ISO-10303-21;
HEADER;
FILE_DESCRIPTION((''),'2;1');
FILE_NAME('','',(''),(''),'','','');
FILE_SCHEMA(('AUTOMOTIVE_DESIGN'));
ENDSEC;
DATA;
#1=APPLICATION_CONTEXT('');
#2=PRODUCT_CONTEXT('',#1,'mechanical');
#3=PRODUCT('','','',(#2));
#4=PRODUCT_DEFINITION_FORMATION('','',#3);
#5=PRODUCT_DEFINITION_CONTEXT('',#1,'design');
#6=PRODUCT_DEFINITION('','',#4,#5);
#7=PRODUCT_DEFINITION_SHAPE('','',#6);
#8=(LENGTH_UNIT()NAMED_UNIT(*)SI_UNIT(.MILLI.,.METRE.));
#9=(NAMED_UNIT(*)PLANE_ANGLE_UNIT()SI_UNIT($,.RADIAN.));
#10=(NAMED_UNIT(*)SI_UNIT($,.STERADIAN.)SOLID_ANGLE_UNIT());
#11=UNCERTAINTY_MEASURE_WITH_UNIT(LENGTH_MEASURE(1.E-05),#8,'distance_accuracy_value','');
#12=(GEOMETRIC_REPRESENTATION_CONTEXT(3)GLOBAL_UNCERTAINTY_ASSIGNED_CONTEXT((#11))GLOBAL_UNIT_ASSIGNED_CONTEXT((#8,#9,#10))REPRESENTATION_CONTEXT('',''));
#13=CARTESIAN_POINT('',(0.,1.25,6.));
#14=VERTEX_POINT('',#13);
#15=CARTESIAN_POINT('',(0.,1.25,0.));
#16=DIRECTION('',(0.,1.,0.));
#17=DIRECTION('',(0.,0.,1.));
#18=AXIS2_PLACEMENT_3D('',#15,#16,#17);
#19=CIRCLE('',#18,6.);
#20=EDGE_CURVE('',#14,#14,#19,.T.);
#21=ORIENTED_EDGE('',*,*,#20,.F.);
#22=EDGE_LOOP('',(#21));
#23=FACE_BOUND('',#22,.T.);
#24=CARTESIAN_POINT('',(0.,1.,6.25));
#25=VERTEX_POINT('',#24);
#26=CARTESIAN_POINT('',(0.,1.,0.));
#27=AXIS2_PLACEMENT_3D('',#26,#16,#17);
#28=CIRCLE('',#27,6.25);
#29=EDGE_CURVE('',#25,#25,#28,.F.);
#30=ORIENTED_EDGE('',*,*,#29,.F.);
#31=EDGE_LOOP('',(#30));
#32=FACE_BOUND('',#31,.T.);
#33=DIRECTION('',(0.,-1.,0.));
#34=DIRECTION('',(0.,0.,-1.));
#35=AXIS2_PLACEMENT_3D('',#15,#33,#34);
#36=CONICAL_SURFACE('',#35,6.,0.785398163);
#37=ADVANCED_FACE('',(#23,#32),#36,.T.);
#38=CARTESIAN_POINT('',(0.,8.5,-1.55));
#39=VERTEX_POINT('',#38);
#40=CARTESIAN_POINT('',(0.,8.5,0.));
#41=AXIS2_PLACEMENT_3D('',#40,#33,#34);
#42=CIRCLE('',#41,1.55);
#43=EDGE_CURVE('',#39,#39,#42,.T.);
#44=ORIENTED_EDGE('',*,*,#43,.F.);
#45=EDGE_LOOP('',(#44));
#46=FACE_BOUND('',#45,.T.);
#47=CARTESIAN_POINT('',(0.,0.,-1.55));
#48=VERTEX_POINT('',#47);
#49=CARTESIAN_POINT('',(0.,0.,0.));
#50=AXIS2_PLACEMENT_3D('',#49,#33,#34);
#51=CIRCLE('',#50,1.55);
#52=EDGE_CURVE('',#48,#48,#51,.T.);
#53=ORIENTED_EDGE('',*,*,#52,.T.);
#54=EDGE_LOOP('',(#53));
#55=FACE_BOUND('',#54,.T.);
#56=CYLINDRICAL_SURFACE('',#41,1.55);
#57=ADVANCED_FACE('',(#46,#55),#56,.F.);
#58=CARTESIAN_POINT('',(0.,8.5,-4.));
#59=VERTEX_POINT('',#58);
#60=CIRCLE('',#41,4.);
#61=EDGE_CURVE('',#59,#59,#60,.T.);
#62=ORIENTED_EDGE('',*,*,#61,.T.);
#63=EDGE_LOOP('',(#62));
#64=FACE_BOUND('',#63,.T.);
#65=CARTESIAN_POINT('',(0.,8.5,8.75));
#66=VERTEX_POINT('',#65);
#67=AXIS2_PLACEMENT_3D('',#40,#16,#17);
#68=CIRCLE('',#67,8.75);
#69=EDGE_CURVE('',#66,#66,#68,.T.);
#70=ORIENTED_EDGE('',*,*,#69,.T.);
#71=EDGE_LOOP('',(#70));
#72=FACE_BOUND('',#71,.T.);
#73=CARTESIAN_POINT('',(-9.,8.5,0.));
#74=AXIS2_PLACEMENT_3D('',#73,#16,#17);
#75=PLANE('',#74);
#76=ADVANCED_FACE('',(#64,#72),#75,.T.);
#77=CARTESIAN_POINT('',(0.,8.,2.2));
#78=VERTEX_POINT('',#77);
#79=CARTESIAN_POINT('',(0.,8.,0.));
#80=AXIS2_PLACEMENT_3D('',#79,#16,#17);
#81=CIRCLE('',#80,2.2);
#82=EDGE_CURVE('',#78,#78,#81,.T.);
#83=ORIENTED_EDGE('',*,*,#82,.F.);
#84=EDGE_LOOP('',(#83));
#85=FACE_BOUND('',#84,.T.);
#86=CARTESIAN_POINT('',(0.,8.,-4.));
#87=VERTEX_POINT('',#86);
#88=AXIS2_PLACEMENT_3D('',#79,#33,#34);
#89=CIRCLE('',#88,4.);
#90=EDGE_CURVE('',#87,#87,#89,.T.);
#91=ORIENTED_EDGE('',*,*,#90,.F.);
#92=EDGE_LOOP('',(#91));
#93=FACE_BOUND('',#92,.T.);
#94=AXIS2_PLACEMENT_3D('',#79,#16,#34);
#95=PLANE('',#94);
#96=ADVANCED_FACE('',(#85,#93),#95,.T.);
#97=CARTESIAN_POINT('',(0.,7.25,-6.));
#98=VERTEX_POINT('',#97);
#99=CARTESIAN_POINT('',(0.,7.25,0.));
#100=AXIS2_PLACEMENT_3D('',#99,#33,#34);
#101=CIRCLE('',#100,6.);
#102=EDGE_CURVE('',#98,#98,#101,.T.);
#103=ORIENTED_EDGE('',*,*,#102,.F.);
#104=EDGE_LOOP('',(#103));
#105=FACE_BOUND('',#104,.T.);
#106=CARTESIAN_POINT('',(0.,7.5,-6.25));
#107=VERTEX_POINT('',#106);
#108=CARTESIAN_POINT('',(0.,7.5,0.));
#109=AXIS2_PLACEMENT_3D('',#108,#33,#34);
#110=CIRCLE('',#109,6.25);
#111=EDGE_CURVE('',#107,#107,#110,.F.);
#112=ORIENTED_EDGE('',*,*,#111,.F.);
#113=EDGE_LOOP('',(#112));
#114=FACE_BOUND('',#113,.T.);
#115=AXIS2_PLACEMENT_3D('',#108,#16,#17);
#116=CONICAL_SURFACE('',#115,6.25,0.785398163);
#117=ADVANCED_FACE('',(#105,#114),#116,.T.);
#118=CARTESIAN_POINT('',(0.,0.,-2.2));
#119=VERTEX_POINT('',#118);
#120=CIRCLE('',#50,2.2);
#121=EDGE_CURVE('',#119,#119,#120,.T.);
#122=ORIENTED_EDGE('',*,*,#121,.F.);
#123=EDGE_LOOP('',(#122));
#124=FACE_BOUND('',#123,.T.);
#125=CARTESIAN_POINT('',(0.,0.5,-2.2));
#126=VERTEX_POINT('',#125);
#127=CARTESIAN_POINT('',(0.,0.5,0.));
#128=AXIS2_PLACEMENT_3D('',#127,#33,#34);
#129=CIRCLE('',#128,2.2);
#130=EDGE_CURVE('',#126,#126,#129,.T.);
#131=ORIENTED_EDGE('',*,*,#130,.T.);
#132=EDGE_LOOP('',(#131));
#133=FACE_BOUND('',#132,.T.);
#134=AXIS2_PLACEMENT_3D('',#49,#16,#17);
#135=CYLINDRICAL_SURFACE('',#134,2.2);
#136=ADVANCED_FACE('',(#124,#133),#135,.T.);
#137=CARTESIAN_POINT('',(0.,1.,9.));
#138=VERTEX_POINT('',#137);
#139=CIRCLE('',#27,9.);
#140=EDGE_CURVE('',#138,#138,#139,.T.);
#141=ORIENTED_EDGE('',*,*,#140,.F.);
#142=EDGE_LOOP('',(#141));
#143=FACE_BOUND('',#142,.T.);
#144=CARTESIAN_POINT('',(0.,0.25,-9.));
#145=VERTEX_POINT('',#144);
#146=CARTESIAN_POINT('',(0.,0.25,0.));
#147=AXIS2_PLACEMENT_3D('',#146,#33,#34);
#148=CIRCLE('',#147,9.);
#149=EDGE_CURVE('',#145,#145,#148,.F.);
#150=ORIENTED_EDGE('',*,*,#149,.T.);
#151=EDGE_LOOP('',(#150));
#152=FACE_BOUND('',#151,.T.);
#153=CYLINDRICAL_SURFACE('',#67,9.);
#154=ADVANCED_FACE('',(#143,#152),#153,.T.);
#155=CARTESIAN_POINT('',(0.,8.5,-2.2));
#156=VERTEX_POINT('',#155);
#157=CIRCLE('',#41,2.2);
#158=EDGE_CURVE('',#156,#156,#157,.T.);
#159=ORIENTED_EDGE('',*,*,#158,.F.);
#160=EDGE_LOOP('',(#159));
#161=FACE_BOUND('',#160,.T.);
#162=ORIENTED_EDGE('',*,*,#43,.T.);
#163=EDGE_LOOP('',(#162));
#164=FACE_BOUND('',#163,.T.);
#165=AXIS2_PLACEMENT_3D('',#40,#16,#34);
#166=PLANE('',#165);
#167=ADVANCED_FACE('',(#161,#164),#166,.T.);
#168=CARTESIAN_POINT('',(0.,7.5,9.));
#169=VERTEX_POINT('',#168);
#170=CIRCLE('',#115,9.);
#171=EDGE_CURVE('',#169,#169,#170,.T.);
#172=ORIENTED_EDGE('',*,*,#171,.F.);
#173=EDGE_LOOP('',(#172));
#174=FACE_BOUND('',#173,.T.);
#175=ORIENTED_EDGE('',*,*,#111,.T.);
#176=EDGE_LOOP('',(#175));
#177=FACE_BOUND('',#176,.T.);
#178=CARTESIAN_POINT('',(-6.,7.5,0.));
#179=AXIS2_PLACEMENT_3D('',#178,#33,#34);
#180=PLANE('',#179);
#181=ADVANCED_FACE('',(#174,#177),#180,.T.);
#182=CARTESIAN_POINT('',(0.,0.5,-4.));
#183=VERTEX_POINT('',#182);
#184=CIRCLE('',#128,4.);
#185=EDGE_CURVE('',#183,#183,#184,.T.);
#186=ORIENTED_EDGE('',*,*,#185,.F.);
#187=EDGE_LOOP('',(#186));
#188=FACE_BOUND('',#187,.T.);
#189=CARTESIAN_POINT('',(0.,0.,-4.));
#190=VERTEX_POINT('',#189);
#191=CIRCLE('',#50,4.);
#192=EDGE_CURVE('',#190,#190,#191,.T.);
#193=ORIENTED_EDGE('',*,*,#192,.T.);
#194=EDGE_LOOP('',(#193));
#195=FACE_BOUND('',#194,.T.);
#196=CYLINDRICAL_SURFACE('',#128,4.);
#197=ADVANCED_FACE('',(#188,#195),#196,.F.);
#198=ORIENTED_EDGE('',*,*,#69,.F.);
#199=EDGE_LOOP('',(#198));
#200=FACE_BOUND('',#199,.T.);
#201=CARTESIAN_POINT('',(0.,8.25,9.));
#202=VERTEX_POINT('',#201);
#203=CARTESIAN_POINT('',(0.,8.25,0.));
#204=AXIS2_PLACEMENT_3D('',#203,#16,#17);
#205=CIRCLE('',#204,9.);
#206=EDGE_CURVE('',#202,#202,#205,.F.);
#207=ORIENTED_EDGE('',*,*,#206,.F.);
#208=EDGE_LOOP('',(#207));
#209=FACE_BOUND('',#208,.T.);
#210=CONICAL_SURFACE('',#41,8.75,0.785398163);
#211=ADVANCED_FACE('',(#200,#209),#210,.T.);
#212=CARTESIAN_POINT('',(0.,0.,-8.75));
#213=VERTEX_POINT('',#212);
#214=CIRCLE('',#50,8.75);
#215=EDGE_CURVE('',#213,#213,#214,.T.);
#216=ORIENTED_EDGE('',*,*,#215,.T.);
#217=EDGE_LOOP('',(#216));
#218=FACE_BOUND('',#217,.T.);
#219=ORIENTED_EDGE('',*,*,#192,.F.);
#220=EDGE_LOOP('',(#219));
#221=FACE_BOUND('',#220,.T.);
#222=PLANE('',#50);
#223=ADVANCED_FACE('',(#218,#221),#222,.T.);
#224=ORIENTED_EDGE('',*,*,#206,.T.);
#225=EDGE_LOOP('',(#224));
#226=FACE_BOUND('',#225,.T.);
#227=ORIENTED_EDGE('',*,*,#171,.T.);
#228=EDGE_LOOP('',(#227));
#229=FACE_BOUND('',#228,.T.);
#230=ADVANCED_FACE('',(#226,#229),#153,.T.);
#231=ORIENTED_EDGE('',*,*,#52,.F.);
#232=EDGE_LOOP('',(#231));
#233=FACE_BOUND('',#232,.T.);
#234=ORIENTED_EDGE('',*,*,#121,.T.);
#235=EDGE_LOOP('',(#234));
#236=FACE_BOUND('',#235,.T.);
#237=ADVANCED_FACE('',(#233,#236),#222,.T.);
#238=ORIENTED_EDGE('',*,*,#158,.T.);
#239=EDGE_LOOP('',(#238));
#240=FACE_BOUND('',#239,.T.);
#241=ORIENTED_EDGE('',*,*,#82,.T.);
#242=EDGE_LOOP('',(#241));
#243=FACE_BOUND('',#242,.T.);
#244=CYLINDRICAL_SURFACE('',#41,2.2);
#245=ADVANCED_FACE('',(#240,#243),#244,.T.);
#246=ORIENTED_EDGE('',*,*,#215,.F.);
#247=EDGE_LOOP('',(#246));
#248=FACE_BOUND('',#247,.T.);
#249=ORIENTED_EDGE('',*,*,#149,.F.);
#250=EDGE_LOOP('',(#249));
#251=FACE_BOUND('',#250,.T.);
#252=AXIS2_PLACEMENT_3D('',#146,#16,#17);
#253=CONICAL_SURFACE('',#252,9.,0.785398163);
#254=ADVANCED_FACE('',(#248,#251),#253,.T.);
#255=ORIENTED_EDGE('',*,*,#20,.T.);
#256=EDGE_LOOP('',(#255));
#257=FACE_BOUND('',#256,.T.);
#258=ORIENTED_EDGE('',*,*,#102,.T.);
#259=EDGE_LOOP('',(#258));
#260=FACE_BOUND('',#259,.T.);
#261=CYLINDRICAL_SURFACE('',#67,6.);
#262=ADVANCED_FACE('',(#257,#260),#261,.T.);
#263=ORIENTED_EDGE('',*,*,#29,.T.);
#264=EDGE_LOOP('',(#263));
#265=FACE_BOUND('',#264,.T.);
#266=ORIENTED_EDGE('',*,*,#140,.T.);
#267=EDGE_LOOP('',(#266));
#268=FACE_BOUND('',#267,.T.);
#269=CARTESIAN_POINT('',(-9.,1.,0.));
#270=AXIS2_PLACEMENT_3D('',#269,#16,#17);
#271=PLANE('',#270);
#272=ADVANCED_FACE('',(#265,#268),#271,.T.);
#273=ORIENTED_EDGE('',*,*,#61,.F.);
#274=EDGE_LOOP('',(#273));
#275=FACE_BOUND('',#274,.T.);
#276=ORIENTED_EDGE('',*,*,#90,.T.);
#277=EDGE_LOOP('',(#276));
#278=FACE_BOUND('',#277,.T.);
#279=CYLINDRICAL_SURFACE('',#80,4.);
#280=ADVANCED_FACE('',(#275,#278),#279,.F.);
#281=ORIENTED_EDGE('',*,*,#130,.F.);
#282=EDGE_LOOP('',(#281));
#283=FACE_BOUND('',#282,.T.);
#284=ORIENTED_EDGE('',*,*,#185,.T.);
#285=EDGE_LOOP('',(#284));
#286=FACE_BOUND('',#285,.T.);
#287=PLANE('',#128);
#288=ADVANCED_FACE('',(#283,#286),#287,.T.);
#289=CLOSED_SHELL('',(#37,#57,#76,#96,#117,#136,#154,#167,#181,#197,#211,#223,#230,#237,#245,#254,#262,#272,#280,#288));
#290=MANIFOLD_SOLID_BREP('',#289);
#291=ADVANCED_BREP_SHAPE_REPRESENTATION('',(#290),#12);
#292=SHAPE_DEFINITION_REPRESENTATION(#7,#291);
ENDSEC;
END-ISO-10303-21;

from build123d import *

# Parameters (mm, degrees)
SKETCH2_R           = 4
CUT_EXTRUDE1_DEPTH  = 0.5
SKETCH3_R           = 2.2
BOSS_EXTRUDE1_DEPTH = 0.5
SKETCH4_R           = 1.55
CUT_EXTRUDE2_DEPTH  = 16.305227865
CHAMFER1_SIZE       = 0.25


with BuildPart() as part:
    # Sketch1 → Revolve1 (revolve)
    with BuildSketch(Plane.XY, mode=Mode.PRIVATE) as revolve1_sk:
        Polygon((0, 0), (-9, 0), (-9, 1), (-6, 1), (-6, 7.5), (-9, 7.5), (-9, 8.5), (0, 8.5), align=None)
    revolve(revolve1_sk.sketch.rotate(Axis((0, 8.5, 0), (0, -1, 0)), 270), axis=Axis((0, 8.5, 0), (0, -1, 0)))

    # Sketch2 → Cut-Extrude1 (cut)
    with BuildSketch(Plane.XZ):
        with Locations(Location((0, 0, 0), (0, 0, 270))):
            Circle(SKETCH2_R)
    cut_extrude1 = extrude(amount=-CUT_EXTRUDE1_DEPTH, mode=Mode.SUBTRACT)

    # Sketch3 → Boss-Extrude1 (add)
    with BuildSketch(Plane.XZ.offset(-0.5)):
        with Locations(Location((0, 0, 0), (0, 0, 270))):
            Circle(SKETCH3_R)
    boss_extrude1 = extrude(amount=BOSS_EXTRUDE1_DEPTH)

    # Mirror1: Cut-Extrude1, Boss-Extrude1 across plane
    add(cut_extrude1.mirror(Plane.ZX.offset(4.25)), mode=Mode.SUBTRACT)
    add(boss_extrude1.mirror(Plane.ZX.offset(4.25)))

    # Sketch4 → Cut-Extrude2 (cut, through all)
    with BuildSketch(Plane.XZ):
        with Locations(Location((0, 0, 0), (0, 0, 270))):
            Circle(SKETCH4_R)
    extrude(amount=-CUT_EXTRUDE2_DEPTH, mode=Mode.SUBTRACT)

    # Chamfer1
    chamfer1_edges = [part.edges().sort_by_distance(p)[0] for p in [
        (0, 8.5, -9),
        (0, 7.5, -6),
        (0, 1, -6),
        (0, 0, -9),
    ]]
    chamfer(chamfer1_edges, length=CHAMFER1_SIZE)


solid = part.part
